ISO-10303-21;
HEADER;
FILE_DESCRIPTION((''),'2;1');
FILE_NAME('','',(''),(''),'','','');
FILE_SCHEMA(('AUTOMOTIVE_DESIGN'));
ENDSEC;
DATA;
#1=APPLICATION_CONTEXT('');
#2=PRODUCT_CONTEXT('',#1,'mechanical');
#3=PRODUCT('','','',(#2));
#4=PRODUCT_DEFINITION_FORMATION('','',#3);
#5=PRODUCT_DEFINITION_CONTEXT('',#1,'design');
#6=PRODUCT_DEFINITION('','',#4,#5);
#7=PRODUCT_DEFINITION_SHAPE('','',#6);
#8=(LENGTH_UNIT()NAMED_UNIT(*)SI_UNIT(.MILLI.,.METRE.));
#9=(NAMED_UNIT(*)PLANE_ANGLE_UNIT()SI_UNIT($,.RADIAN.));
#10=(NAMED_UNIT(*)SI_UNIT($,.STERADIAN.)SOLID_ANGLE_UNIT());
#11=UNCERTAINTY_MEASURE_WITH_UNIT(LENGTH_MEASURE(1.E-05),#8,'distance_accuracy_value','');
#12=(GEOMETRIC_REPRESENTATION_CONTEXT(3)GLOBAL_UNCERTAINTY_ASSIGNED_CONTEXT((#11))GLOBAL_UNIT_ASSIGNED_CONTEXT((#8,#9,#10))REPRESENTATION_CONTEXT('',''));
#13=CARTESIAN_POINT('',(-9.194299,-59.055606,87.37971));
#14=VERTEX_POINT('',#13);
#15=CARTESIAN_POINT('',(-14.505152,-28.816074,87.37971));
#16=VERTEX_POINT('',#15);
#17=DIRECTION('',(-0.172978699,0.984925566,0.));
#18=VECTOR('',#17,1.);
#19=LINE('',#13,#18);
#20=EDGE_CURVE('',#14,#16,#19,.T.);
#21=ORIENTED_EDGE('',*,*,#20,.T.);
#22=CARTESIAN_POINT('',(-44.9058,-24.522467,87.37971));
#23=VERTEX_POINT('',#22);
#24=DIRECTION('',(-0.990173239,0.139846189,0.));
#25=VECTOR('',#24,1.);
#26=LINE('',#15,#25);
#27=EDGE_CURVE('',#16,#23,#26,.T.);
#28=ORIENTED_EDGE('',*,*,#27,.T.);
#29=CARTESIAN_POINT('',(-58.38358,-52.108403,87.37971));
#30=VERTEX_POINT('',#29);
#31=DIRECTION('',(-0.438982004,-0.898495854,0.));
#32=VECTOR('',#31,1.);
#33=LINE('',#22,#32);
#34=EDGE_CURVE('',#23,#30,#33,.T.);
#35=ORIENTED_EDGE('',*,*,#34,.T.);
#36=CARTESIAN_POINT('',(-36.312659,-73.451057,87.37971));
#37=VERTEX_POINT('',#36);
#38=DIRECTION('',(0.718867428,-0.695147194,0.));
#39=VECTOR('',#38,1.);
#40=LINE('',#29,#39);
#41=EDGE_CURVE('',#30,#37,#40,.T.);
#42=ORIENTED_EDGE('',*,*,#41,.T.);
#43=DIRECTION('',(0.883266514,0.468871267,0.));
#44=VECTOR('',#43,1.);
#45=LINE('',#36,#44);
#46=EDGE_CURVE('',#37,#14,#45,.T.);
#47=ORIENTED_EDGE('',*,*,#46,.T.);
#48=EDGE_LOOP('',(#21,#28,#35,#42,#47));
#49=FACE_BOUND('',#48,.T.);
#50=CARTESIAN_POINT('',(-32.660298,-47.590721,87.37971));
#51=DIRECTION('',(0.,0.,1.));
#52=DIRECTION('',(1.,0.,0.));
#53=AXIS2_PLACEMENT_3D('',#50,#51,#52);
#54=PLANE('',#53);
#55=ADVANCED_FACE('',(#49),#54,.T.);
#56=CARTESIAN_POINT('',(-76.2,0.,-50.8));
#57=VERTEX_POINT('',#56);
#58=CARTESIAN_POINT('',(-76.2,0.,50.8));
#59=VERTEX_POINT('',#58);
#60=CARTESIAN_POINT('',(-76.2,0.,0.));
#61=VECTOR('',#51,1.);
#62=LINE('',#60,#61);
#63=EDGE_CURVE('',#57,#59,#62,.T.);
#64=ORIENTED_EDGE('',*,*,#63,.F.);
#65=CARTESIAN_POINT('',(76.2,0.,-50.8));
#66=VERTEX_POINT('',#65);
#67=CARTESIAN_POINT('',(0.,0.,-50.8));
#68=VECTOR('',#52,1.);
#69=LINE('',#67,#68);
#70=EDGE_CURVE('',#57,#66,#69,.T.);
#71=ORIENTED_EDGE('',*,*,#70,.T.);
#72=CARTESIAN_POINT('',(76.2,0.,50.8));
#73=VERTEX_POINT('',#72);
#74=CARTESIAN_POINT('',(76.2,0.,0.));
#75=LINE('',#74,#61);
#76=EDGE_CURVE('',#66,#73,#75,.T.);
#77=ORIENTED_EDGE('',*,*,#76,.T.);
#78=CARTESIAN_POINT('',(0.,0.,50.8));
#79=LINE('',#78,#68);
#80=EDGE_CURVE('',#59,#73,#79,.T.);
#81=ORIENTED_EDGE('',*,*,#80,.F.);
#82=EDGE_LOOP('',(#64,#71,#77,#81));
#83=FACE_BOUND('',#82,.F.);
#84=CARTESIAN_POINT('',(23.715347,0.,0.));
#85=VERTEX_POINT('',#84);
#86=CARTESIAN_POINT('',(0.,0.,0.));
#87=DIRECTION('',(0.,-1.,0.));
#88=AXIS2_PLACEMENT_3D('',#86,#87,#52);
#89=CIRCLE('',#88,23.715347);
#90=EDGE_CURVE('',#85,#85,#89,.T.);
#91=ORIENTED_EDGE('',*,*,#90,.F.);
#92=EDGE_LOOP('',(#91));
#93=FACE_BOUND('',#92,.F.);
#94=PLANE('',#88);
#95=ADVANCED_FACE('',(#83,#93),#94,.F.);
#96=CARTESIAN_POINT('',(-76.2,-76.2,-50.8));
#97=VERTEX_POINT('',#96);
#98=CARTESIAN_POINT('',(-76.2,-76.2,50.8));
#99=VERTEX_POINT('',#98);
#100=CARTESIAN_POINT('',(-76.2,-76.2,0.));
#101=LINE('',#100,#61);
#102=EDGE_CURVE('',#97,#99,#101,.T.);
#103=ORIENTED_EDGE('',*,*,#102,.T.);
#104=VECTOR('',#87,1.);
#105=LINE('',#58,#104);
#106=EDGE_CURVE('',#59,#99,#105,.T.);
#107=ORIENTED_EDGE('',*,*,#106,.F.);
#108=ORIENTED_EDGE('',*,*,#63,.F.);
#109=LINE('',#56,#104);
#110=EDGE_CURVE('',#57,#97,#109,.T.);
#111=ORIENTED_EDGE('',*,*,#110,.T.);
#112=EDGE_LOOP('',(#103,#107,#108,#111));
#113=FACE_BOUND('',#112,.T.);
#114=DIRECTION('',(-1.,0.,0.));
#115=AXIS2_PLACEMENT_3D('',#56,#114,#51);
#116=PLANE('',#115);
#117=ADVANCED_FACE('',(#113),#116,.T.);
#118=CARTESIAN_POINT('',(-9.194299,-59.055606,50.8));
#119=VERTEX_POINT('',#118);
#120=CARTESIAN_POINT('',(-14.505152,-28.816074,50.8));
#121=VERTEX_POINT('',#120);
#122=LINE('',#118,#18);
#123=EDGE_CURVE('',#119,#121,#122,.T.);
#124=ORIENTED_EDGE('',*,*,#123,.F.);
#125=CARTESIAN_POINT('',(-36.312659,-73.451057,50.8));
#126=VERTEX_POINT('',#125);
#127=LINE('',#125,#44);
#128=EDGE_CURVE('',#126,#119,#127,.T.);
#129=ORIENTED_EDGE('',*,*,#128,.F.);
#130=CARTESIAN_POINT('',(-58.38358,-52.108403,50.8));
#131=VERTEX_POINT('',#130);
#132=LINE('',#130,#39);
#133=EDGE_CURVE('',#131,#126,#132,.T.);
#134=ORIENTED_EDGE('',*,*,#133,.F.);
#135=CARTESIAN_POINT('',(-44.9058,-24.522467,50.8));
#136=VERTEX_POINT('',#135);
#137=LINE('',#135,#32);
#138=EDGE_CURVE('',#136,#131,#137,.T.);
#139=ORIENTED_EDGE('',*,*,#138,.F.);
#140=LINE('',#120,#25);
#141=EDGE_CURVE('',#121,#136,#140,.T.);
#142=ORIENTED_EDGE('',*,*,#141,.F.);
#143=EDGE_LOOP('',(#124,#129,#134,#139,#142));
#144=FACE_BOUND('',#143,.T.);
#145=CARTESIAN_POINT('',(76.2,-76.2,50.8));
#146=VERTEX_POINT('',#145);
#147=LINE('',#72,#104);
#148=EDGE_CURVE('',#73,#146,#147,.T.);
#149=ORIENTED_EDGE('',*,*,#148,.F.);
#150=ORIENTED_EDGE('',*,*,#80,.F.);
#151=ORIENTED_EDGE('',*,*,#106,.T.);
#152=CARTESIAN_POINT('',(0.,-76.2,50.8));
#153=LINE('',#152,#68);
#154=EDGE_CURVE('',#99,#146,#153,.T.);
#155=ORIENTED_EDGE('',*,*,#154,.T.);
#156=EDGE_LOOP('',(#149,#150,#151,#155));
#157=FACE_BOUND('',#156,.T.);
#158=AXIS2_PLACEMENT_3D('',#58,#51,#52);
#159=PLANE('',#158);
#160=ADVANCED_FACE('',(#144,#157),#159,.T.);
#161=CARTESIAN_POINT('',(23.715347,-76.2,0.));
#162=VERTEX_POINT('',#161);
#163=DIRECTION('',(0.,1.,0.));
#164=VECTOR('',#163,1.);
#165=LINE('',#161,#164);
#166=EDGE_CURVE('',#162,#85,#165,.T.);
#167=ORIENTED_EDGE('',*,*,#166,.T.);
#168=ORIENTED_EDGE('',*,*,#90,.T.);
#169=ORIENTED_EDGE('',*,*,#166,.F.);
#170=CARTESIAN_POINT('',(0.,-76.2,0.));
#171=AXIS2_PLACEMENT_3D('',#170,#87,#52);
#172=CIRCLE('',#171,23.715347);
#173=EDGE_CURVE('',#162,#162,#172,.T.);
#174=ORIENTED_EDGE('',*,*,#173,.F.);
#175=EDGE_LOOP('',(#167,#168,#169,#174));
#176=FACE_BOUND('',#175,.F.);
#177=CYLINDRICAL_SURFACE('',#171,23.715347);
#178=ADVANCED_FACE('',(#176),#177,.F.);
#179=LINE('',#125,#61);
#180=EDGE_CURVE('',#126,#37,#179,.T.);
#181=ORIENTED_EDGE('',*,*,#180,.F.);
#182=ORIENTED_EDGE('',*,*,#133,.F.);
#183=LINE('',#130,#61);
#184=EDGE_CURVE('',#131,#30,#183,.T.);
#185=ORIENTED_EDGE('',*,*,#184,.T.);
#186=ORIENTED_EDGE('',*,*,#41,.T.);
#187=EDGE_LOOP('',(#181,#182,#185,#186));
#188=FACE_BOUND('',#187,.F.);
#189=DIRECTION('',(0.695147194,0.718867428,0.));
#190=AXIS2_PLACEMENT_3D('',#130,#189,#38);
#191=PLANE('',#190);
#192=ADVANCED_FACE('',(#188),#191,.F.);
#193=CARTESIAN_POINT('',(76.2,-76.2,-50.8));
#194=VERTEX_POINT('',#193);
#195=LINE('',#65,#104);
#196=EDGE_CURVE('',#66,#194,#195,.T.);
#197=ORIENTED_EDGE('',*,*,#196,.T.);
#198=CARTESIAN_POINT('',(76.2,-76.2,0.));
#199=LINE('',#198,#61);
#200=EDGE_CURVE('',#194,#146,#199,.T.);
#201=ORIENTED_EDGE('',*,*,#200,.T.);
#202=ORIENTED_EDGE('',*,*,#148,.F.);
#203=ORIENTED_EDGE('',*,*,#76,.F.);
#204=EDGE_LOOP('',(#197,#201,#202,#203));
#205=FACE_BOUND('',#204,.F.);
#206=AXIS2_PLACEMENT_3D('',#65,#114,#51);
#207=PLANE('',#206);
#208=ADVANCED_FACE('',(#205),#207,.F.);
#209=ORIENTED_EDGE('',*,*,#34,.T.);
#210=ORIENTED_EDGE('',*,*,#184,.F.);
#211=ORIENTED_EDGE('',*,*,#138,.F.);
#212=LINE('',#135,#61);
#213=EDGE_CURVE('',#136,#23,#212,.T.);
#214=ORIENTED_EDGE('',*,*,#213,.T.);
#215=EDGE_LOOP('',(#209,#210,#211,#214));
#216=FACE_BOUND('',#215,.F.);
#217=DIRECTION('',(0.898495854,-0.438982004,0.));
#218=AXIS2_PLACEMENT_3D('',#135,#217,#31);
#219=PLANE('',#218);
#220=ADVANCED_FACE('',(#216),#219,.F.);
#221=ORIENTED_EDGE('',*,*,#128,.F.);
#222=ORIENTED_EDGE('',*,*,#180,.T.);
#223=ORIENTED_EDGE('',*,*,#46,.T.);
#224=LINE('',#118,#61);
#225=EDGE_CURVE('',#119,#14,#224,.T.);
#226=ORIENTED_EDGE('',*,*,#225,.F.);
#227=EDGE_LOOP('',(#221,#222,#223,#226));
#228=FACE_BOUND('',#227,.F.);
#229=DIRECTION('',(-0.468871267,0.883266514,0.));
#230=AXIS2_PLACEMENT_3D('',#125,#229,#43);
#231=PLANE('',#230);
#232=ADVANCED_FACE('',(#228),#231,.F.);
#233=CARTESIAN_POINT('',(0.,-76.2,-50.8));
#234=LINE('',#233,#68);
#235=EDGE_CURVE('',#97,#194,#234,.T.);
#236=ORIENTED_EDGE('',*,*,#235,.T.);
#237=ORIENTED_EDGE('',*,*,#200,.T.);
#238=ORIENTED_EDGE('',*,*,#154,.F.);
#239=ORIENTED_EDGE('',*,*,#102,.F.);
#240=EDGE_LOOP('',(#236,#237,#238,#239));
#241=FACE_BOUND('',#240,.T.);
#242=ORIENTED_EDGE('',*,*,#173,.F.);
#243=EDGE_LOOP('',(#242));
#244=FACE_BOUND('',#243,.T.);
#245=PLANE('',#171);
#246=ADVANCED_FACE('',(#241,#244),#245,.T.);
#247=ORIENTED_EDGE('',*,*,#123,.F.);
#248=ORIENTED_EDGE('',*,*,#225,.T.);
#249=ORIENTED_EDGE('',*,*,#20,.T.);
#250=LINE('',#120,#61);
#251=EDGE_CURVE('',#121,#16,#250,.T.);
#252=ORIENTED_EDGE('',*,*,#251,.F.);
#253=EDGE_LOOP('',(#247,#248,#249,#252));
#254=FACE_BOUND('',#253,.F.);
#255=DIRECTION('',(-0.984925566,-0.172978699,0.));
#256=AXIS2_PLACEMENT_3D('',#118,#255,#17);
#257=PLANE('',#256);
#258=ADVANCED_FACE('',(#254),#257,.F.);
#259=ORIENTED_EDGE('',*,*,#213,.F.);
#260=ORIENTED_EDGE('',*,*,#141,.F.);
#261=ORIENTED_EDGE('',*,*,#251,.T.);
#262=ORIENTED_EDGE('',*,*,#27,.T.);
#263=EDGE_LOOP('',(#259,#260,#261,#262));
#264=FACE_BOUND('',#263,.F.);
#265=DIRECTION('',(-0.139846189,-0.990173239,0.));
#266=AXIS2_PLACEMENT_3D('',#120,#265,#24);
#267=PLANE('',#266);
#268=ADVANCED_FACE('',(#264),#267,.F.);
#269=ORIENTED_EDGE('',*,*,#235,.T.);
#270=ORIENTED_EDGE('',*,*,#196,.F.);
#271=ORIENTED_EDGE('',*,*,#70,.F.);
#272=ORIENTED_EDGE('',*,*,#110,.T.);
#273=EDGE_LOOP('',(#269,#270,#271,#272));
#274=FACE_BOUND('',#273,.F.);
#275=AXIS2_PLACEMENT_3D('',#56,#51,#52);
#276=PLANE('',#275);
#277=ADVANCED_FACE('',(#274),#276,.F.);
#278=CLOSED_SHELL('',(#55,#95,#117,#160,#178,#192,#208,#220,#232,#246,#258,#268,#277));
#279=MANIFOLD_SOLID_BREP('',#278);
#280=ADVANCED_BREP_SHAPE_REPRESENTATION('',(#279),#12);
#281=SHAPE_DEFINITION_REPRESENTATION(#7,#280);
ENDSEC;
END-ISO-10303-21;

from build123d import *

# Parameters (mm, degrees)
F0_W     = 152.4
F0_H     = 101.6
F1_DEPTH = 76.2
F2_R     = 23.715347
F3_DEPTH = 76.201
F5_DEPTH = 36.57971


with BuildPart() as f1:
    # F0 (on Front) → F1 (new body)
    with BuildSketch(Plane.XZ):
        Rectangle(F0_W, F0_H)
    extrude(amount=F1_DEPTH)

    # F2 (on face) → F3 (cut, through all)
    with BuildSketch(Plane.XZ.offset(76.2)):
        Circle(F2_R)
    extrude(amount=-F3_DEPTH, mode=Mode.SUBTRACT)

    # F4 (on face) → F5 (join)
    with BuildSketch(Plane.XY.offset(50.8)):
        Polygon((-14.505152, -28.816074), (-44.9058, -24.522467), (-58.38358, -52.108403), (-36.312659, -73.451057), (-9.194299, -59.055606), align=None)
    extrude(amount=F5_DEPTH)


solid = f1.part
